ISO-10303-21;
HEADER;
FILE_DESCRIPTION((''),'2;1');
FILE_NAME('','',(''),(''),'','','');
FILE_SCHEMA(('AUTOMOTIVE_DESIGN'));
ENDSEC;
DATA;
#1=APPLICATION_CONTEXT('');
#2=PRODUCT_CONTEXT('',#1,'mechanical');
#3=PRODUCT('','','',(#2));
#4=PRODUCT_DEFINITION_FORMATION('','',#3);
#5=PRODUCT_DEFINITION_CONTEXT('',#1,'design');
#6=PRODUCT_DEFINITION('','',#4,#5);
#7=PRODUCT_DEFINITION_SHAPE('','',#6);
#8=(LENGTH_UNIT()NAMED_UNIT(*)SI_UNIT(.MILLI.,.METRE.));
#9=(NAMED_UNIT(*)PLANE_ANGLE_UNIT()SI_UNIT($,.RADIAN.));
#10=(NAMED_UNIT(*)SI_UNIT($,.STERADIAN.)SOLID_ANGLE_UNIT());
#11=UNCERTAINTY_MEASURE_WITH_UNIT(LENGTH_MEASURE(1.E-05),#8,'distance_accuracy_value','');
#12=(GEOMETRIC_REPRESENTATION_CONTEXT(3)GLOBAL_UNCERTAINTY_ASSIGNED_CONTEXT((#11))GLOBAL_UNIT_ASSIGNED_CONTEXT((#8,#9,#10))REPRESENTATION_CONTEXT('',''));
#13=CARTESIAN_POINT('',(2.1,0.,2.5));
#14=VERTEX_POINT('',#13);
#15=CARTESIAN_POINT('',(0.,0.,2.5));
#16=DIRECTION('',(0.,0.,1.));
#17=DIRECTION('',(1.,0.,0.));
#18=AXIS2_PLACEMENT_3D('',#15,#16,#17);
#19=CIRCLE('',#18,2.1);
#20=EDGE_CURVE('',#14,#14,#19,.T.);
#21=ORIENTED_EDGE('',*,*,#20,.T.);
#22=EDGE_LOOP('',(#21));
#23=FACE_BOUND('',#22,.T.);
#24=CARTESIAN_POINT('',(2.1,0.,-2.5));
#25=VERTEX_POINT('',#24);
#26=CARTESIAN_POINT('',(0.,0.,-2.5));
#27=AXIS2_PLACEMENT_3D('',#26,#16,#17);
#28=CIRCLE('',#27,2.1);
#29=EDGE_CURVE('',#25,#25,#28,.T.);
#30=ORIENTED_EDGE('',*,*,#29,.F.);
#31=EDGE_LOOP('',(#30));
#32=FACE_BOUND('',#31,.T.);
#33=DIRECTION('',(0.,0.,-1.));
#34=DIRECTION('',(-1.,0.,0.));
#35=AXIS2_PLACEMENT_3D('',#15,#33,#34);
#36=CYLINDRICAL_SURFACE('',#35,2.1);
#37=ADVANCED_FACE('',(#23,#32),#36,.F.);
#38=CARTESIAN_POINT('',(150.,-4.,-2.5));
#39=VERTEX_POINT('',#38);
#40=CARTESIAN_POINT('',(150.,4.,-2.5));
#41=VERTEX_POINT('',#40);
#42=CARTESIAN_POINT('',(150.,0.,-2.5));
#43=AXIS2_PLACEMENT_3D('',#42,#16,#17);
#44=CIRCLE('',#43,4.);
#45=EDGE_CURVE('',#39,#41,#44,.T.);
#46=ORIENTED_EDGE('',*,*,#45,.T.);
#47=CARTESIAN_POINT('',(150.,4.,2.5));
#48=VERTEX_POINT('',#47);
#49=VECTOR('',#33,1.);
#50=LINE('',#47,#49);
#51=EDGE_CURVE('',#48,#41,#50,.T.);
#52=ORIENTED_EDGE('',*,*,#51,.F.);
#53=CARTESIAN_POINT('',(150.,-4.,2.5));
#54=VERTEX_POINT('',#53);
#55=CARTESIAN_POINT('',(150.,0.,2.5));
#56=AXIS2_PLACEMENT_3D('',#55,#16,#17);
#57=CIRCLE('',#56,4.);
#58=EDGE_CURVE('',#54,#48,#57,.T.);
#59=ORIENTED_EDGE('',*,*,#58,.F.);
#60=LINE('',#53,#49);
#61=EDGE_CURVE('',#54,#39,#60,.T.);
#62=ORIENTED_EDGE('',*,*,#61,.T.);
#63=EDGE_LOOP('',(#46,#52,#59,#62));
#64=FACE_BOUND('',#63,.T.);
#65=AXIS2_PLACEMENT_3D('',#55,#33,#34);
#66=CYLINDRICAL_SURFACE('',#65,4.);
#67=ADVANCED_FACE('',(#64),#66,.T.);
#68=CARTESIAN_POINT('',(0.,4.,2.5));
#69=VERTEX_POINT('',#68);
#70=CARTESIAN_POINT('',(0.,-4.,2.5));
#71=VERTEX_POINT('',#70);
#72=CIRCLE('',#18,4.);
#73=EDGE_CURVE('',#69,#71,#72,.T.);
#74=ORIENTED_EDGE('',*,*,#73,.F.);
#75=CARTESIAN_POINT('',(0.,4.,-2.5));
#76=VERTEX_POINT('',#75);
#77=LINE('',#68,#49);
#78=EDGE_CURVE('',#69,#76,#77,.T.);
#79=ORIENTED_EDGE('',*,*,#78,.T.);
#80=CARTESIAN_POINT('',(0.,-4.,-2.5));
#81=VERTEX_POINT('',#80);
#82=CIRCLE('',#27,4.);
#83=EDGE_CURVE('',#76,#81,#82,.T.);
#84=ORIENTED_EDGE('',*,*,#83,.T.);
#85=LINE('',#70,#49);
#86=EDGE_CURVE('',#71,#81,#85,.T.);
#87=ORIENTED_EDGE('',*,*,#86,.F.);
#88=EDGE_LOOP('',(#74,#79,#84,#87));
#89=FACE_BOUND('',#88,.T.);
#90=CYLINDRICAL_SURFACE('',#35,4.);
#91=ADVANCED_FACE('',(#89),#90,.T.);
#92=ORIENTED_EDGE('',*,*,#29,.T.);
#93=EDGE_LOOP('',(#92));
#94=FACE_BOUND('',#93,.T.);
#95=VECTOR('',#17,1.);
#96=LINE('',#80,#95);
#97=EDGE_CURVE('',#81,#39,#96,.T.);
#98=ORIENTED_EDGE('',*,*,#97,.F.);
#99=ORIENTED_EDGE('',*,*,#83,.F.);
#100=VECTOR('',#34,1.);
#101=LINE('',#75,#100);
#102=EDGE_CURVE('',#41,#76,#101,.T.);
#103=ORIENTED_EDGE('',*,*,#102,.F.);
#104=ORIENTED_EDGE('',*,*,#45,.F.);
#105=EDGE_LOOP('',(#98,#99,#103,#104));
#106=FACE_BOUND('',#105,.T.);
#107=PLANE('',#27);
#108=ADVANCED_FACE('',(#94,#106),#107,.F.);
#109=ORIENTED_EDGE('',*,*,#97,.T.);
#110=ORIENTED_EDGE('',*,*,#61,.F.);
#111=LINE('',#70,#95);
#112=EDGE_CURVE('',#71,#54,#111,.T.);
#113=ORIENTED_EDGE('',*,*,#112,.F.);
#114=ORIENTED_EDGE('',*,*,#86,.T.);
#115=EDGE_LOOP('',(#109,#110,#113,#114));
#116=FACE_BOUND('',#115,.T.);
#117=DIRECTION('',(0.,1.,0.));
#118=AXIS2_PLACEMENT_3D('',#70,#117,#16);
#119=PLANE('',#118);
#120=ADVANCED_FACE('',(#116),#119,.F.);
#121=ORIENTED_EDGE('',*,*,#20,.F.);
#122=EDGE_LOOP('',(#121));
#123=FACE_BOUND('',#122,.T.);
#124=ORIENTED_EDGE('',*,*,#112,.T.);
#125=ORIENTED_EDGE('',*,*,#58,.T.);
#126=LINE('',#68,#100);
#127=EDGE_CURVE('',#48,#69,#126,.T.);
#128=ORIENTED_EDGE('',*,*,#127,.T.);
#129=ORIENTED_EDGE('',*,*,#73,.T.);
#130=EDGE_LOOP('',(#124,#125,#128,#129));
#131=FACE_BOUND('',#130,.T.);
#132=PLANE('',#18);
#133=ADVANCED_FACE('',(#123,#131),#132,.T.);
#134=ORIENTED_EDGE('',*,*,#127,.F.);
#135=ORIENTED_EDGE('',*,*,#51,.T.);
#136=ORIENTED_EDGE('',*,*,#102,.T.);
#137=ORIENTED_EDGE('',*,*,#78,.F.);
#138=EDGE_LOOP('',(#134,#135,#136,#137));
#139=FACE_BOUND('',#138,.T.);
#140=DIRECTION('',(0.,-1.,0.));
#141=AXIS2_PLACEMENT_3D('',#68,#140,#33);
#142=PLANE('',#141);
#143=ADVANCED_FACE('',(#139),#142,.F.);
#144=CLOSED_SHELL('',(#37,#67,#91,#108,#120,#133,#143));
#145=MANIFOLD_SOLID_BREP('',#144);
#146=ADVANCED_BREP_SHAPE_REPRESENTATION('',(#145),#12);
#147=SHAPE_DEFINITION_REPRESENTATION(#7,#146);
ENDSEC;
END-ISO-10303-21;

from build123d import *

# Parameters (mm, degrees)
SKETCH_1_R      = 2.1
EXTRUDE_1_DEPTH = 2.5


with BuildPart() as part:
    # 스케치1 → 보스-돌출1 (new, symmetric)
    with BuildSketch(Plane.XY):
        with BuildLine():
            Line((0, 4), (150, 4))
            ThreePointArc((150, 4), (154, 0), (150, -4))
            Line((150, -4), (0, -4))
            ThreePointArc((0, -4), (-4, 0), (0, 4))
        make_face()
        Circle(SKETCH_1_R, mode=Mode.SUBTRACT)
    extrude(amount=EXTRUDE_1_DEPTH, both=True)


solid = part.part
